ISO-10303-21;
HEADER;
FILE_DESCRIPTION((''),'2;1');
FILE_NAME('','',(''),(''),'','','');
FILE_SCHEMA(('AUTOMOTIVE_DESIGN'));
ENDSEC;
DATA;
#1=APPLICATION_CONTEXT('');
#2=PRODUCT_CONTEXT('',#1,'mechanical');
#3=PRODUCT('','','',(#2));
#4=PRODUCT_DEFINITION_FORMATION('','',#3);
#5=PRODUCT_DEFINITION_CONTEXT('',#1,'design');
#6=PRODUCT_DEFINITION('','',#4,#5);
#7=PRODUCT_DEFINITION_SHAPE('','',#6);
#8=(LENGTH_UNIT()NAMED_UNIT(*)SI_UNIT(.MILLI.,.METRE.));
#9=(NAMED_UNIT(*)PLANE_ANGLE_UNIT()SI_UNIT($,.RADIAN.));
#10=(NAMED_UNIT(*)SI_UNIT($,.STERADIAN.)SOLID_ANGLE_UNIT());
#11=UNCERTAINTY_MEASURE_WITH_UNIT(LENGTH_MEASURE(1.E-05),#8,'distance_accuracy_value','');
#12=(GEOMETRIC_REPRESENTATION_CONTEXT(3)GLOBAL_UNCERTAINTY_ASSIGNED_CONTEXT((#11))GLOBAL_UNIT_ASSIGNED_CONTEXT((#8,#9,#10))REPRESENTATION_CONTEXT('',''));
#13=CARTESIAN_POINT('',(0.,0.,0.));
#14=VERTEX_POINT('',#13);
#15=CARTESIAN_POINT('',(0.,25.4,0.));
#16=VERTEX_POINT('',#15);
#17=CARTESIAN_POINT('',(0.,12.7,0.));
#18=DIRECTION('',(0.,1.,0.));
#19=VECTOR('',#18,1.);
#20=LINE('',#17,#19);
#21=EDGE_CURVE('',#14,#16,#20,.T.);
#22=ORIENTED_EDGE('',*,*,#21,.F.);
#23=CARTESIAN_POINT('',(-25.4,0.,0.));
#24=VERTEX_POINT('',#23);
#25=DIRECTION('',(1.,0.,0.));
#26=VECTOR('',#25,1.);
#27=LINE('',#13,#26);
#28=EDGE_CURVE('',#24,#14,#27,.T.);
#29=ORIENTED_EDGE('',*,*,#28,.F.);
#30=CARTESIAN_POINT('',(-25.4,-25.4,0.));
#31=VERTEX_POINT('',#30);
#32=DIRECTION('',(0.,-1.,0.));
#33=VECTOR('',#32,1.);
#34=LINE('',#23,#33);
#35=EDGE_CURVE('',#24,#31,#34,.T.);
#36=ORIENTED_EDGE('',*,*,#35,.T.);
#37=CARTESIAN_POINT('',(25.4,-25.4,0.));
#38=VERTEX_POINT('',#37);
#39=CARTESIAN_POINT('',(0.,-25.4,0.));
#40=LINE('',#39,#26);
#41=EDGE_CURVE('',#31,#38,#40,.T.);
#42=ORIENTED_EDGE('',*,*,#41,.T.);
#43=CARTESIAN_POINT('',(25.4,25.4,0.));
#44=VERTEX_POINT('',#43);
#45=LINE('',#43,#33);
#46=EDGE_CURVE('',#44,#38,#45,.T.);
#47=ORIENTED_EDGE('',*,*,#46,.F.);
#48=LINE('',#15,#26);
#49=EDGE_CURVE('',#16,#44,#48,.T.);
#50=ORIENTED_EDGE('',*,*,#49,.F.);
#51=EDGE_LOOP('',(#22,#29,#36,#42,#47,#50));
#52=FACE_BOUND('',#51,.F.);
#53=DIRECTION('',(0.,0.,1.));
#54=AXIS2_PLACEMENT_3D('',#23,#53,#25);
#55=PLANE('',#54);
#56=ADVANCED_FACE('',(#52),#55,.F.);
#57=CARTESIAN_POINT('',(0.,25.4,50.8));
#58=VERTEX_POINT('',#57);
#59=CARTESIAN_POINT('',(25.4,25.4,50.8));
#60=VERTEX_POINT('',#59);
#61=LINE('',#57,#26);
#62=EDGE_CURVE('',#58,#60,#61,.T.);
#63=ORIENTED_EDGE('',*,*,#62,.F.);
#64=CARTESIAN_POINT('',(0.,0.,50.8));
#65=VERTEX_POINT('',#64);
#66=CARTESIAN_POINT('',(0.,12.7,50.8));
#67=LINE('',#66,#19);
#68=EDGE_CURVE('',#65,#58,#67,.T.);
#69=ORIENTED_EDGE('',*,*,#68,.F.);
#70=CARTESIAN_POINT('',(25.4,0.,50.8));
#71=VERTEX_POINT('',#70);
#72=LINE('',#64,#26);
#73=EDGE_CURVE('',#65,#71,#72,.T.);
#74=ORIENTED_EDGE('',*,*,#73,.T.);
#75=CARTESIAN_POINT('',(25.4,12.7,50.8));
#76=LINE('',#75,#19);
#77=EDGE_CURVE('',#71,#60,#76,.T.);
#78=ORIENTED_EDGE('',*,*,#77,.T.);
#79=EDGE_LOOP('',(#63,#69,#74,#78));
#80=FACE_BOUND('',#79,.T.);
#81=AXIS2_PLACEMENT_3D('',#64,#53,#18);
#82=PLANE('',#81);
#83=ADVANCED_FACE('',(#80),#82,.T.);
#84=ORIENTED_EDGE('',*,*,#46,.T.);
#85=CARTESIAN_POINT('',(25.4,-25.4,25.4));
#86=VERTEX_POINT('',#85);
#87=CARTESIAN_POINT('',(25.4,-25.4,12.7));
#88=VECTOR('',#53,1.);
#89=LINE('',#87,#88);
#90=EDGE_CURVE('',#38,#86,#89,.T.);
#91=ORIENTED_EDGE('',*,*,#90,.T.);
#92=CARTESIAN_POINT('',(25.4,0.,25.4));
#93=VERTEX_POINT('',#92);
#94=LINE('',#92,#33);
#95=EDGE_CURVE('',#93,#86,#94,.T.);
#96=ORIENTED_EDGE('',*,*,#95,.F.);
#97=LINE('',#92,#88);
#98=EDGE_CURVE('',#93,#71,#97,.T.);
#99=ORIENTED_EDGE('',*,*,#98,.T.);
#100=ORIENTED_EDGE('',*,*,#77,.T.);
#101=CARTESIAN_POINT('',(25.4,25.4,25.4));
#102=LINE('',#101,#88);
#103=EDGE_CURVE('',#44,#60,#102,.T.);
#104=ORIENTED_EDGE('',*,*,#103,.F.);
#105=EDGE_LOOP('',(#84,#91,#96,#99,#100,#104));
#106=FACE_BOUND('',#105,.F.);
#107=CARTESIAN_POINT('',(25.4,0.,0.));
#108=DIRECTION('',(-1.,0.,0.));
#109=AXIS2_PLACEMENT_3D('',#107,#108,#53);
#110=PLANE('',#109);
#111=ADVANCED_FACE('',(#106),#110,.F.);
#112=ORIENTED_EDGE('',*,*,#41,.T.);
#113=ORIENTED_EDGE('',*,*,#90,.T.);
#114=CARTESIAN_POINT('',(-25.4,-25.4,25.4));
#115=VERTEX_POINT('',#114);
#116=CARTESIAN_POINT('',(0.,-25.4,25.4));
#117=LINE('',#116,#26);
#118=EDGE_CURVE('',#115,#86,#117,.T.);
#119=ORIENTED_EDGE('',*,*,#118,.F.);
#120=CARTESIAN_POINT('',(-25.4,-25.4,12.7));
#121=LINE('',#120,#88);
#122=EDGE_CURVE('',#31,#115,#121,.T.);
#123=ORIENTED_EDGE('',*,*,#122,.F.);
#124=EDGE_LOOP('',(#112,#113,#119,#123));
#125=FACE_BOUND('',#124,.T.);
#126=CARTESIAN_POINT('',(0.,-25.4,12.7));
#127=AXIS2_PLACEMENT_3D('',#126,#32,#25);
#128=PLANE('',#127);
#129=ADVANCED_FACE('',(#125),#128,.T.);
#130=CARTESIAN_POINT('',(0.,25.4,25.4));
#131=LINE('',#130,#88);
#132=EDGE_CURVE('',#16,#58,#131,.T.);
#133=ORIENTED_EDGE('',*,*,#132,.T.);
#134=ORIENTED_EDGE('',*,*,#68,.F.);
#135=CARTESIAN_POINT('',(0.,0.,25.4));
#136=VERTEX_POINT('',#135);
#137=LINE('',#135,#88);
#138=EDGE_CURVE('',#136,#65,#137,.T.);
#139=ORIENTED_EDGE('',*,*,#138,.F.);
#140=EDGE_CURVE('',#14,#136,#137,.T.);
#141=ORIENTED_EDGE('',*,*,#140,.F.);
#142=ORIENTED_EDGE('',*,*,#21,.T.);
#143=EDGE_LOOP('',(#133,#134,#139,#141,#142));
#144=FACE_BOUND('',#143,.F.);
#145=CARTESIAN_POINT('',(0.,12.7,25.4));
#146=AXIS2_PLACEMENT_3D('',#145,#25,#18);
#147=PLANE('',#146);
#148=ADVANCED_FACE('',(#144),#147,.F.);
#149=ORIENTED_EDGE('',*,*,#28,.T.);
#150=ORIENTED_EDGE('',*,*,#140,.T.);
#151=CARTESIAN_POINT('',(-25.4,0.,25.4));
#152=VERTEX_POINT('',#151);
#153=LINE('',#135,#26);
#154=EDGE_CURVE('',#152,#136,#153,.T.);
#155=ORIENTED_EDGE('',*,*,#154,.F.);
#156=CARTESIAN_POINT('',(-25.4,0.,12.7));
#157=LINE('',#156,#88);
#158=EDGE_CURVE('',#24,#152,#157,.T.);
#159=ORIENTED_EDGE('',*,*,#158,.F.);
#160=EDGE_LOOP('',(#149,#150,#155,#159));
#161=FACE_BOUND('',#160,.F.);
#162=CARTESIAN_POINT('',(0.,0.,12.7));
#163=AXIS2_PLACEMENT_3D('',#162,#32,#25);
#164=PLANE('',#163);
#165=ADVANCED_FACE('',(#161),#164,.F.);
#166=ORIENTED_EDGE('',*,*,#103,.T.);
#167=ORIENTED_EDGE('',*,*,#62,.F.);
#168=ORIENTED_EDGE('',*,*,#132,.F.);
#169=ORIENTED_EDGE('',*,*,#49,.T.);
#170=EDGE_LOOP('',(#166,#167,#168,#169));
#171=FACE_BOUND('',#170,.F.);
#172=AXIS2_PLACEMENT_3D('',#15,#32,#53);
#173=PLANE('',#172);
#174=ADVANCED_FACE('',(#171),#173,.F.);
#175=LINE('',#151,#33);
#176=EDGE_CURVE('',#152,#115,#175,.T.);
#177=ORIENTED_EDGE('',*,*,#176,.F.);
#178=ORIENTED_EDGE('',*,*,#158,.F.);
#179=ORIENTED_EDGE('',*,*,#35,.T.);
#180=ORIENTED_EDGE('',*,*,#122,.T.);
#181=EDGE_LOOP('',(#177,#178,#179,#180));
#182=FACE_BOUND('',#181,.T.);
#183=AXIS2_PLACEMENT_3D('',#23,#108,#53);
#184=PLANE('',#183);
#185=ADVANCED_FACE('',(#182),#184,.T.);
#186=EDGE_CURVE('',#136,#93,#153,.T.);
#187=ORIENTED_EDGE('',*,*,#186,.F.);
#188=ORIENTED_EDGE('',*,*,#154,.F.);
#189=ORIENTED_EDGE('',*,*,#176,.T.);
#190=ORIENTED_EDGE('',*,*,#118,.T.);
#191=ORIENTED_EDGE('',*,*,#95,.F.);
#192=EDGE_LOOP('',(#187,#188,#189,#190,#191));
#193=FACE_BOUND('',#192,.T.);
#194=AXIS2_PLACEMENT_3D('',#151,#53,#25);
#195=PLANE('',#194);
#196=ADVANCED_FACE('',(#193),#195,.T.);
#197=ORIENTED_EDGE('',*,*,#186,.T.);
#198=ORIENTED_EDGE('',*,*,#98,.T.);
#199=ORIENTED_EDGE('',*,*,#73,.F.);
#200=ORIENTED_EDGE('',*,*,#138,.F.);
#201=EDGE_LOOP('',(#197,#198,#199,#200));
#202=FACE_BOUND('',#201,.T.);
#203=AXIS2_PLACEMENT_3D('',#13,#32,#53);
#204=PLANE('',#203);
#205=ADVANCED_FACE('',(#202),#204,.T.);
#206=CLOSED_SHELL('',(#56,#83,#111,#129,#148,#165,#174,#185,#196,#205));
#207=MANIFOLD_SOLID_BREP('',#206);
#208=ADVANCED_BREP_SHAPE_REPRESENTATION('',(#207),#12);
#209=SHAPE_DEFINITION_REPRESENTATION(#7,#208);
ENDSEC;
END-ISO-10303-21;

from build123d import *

# Parameters (mm, degrees)
F1_W     = 25.4
F1_H     = 50.8
F2_DEPTH = 25.4
F0_W     = 50.8
F0_H     = 25.4
F3_DEPTH = 25.4


with BuildPart() as f2:
    # F1 (on Right) → F2 (new body)
    with BuildSketch(Plane.YZ):
        with Locations((12.7, 25.4)):
            Rectangle(F1_W, F1_H)
    extrude(amount=F2_DEPTH)

    # F0 (on Front) → F3 (join)
    with BuildSketch(Plane.XZ):
        with Locations((0, 12.7)):
            Rectangle(F0_W, F0_H)
    extrude(amount=F3_DEPTH)


solid = f2.part
